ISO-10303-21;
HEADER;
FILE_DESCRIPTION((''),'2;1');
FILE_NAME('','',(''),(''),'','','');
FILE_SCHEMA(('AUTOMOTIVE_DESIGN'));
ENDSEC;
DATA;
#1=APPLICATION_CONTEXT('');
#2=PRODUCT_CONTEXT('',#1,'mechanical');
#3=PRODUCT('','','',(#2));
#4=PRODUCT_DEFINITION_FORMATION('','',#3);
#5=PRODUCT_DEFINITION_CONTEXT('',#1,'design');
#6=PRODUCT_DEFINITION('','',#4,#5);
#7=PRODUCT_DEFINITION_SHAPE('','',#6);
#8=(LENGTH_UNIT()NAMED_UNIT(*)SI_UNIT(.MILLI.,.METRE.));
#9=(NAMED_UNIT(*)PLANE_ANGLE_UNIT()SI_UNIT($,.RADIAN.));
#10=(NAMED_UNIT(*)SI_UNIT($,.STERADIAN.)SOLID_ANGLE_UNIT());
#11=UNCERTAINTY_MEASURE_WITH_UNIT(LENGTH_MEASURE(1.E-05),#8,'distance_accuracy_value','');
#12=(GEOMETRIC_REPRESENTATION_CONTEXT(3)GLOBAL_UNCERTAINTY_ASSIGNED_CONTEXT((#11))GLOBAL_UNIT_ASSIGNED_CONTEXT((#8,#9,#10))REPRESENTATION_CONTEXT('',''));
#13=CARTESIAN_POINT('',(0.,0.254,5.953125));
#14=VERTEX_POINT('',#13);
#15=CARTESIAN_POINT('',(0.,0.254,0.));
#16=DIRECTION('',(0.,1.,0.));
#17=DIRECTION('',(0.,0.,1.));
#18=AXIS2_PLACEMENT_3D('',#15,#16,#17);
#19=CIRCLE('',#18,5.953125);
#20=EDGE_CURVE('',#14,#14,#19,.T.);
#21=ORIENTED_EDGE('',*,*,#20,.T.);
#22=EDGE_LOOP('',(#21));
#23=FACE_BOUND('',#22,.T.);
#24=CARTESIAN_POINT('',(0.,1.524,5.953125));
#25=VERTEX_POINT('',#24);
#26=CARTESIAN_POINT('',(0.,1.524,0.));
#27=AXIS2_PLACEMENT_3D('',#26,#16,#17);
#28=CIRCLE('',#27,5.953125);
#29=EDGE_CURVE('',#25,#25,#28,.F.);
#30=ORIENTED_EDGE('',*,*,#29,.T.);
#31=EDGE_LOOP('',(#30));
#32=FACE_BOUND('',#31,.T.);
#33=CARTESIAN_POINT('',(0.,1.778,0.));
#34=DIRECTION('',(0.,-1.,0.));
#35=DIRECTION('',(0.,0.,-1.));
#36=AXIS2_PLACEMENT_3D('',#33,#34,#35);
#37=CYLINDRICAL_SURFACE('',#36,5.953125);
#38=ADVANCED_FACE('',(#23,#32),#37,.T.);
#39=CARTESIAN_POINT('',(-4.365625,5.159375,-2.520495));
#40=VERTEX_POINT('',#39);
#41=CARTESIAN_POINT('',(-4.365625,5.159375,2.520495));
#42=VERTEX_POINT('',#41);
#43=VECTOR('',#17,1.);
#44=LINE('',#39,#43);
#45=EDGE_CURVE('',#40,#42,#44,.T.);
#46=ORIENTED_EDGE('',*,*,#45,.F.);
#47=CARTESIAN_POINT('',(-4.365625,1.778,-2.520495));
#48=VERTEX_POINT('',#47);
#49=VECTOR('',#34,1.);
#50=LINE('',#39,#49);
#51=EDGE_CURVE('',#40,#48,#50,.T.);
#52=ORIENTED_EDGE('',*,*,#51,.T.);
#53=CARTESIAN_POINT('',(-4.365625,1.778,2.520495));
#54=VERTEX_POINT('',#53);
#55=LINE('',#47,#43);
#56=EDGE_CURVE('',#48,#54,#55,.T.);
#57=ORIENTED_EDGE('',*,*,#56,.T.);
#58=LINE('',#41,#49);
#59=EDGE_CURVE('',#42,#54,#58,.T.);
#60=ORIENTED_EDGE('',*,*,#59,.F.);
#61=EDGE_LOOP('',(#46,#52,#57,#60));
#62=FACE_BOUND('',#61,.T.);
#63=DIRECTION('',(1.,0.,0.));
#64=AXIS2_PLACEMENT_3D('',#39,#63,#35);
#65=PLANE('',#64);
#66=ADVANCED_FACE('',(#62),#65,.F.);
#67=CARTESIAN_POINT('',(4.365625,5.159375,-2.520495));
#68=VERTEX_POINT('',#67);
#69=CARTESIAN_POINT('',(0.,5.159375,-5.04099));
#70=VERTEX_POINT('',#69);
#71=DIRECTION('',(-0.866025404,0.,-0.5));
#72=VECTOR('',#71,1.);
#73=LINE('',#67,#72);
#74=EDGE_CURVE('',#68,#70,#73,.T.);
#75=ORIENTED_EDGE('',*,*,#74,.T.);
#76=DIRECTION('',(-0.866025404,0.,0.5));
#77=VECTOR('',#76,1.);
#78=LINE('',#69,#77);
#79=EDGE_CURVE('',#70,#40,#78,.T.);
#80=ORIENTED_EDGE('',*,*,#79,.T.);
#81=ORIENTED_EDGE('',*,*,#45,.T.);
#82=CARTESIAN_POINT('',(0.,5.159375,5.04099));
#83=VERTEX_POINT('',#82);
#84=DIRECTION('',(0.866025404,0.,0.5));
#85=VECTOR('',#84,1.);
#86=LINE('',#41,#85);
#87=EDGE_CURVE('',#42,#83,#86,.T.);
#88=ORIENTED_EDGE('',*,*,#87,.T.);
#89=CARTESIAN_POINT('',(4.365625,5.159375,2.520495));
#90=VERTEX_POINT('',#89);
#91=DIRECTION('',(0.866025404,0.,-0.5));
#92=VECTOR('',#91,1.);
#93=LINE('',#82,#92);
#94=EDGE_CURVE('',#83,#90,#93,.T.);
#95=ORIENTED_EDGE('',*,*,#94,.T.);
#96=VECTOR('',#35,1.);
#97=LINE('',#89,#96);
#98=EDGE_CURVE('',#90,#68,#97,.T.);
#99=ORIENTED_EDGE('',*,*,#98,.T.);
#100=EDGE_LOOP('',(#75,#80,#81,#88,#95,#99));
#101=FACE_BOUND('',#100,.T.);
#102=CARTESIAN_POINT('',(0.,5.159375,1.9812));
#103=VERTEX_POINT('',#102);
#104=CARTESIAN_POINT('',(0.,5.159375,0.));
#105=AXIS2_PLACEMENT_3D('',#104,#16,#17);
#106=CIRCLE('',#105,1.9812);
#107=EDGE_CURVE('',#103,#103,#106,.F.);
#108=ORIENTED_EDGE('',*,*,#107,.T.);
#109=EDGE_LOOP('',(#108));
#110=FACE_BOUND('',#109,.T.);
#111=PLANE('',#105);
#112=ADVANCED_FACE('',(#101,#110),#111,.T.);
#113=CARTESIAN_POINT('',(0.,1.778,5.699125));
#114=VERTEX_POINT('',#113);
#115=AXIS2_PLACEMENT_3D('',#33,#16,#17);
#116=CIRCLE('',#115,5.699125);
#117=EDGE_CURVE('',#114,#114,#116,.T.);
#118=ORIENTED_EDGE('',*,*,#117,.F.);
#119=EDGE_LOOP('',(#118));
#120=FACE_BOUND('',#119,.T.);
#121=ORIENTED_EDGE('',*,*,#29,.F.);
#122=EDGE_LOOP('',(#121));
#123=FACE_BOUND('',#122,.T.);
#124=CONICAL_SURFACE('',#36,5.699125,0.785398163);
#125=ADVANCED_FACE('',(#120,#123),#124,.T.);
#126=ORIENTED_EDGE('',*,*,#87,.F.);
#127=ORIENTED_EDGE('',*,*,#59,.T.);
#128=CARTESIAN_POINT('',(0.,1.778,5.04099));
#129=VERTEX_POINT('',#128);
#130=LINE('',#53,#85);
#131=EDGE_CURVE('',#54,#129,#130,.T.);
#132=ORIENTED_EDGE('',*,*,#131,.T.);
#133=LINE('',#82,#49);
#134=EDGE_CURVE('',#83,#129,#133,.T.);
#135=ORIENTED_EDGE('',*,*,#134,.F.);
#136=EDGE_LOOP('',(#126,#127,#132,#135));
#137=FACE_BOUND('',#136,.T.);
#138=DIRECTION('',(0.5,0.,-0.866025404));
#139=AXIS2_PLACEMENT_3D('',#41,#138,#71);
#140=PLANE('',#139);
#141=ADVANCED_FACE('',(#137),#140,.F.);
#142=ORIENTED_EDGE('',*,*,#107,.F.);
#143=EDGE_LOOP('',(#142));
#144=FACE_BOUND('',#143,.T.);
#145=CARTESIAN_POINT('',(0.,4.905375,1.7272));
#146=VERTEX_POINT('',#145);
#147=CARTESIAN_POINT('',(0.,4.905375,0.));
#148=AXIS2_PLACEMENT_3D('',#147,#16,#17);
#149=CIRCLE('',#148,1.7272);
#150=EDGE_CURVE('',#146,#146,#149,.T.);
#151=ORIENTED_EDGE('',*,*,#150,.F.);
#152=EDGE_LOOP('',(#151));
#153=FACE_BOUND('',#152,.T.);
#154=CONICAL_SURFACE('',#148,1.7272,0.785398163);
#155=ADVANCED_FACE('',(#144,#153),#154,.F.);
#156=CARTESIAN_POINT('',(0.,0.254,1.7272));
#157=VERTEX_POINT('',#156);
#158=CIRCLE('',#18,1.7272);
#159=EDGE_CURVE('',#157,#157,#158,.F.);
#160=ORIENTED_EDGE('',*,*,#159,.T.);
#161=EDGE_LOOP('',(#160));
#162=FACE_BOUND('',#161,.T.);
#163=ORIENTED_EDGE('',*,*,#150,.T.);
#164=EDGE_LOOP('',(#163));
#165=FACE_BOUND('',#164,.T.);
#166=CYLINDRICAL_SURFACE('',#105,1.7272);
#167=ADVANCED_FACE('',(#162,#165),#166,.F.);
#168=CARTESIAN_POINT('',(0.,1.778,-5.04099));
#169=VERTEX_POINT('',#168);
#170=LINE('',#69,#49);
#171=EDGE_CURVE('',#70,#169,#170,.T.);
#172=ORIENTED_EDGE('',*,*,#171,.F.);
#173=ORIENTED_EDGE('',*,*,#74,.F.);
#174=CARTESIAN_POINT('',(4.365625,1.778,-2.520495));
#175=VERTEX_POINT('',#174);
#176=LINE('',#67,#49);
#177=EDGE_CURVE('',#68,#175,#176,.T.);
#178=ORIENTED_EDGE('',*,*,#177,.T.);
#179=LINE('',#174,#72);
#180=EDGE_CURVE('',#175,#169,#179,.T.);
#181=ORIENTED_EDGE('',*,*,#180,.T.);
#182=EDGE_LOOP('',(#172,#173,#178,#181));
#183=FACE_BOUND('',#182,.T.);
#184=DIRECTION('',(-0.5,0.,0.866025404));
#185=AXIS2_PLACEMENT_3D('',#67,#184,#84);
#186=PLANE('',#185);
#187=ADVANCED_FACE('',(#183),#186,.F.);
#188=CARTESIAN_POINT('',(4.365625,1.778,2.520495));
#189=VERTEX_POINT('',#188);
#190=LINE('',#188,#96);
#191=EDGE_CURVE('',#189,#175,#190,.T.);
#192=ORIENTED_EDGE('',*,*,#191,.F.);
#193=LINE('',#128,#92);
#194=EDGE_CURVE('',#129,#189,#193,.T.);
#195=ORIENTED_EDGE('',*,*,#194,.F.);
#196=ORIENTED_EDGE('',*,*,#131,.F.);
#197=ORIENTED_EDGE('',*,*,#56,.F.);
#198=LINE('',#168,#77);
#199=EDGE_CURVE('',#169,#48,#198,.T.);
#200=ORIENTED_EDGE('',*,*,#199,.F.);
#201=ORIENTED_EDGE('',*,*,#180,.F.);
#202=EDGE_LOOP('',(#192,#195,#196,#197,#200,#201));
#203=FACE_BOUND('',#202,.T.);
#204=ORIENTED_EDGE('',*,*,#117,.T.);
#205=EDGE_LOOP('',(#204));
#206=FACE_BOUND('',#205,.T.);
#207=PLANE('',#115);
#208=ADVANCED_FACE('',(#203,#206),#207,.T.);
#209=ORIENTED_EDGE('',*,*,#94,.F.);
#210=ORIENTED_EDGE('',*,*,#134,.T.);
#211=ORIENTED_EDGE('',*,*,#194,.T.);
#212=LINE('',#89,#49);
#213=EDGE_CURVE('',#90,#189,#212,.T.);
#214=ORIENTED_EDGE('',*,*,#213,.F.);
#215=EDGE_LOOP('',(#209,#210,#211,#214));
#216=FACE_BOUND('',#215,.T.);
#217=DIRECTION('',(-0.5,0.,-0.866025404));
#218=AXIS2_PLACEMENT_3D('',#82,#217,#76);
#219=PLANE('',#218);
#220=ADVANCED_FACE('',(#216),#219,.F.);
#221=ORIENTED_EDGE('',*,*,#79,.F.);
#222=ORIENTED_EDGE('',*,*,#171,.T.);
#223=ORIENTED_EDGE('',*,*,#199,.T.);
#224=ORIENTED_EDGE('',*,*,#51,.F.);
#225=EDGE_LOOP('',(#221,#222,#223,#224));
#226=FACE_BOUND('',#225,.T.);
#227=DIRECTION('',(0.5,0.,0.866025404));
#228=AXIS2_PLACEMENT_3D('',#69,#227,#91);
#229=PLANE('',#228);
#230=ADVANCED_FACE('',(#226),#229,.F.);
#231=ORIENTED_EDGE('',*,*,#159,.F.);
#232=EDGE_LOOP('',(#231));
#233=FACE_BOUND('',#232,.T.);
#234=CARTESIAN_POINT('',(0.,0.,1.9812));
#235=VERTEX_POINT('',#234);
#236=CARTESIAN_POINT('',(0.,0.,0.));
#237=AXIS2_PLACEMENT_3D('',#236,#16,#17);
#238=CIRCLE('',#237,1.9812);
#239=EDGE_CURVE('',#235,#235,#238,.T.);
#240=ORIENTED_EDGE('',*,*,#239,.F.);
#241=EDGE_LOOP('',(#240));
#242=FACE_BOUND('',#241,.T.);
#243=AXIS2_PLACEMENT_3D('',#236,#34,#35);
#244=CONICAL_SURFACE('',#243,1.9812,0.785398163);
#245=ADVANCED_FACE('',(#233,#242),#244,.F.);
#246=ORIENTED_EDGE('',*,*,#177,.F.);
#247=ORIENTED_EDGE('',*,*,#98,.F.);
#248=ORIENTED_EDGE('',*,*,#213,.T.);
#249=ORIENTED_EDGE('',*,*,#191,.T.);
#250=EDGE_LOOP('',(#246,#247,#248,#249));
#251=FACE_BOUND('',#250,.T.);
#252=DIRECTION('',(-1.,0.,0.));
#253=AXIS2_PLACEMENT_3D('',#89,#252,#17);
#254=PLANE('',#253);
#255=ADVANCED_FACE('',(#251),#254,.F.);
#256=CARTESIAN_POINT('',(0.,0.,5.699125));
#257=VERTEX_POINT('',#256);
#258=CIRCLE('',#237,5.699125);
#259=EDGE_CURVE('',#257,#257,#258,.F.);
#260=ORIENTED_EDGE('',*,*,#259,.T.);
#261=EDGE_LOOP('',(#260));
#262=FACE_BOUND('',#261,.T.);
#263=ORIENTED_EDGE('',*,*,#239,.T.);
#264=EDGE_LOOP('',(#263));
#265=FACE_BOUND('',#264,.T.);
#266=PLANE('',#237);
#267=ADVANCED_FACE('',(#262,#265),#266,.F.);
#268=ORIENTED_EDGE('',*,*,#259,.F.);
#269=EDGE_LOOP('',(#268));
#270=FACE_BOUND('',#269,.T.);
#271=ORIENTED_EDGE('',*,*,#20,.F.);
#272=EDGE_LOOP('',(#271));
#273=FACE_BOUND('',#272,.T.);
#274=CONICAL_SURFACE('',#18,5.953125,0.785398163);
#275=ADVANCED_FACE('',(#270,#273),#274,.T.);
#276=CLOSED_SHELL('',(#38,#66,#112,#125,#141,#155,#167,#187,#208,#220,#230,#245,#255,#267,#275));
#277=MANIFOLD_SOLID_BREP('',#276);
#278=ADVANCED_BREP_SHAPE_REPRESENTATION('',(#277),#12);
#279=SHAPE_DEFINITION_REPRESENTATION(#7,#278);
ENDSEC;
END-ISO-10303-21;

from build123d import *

# Parameters (mm, degrees)
SKETCH1_R             = 5.953125
BOSS_EXTRUDE1_DEPTH   = 1.778
BOSS_EXTRUDE2_DEPTH   = 3.381375
F_8_32_TAPPED_HOLE1_D = 3.4544
CHAMFER1_SIZE         = 0.254


with BuildPart() as part:
    # Sketch1 → Boss-Extrude1 (new body)
    with BuildSketch(Plane(origin=(0, 0, 0), x_dir=(1, 0, 0), z_dir=(0, 1, 0))):
        Circle(SKETCH1_R)
    extrude(amount=BOSS_EXTRUDE1_DEPTH)

    # Sketch2 → Boss-Extrude2 (add)
    with BuildSketch(Plane(origin=(0, 1.778, 0), x_dir=(1, 0, 0), z_dir=(0, 1, 0))):
        Polygon((4.365625, -2.520494769), (4.365625, 2.520494769), (0, 5.040989538), (-4.365625, 2.520494769), (-4.365625, -2.520494769), (0, -5.040989538), align=None)
    extrude(amount=BOSS_EXTRUDE2_DEPTH)

    # #8-32 Tapped Hole1 (through all)
    with Locations(Plane(origin=(0, 5.159375, 0), x_dir=(1, 0, 0), z_dir=(0, 1, 0))):
        with Locations((0, 0)):
            Hole(F_8_32_TAPPED_HOLE1_D / 2)

    # Chamfer1
    chamfer1_edges = [part.edges().sort_by_distance(p)[0] for p in [
        (-5.953125, 0, 0),
        (1.7272, 5.159375, 0),
        (1.7272, 0, 0),
        (-5.953125, 1.778, 0),
    ]]
    chamfer(chamfer1_edges, length=CHAMFER1_SIZE)


solid = part.part
